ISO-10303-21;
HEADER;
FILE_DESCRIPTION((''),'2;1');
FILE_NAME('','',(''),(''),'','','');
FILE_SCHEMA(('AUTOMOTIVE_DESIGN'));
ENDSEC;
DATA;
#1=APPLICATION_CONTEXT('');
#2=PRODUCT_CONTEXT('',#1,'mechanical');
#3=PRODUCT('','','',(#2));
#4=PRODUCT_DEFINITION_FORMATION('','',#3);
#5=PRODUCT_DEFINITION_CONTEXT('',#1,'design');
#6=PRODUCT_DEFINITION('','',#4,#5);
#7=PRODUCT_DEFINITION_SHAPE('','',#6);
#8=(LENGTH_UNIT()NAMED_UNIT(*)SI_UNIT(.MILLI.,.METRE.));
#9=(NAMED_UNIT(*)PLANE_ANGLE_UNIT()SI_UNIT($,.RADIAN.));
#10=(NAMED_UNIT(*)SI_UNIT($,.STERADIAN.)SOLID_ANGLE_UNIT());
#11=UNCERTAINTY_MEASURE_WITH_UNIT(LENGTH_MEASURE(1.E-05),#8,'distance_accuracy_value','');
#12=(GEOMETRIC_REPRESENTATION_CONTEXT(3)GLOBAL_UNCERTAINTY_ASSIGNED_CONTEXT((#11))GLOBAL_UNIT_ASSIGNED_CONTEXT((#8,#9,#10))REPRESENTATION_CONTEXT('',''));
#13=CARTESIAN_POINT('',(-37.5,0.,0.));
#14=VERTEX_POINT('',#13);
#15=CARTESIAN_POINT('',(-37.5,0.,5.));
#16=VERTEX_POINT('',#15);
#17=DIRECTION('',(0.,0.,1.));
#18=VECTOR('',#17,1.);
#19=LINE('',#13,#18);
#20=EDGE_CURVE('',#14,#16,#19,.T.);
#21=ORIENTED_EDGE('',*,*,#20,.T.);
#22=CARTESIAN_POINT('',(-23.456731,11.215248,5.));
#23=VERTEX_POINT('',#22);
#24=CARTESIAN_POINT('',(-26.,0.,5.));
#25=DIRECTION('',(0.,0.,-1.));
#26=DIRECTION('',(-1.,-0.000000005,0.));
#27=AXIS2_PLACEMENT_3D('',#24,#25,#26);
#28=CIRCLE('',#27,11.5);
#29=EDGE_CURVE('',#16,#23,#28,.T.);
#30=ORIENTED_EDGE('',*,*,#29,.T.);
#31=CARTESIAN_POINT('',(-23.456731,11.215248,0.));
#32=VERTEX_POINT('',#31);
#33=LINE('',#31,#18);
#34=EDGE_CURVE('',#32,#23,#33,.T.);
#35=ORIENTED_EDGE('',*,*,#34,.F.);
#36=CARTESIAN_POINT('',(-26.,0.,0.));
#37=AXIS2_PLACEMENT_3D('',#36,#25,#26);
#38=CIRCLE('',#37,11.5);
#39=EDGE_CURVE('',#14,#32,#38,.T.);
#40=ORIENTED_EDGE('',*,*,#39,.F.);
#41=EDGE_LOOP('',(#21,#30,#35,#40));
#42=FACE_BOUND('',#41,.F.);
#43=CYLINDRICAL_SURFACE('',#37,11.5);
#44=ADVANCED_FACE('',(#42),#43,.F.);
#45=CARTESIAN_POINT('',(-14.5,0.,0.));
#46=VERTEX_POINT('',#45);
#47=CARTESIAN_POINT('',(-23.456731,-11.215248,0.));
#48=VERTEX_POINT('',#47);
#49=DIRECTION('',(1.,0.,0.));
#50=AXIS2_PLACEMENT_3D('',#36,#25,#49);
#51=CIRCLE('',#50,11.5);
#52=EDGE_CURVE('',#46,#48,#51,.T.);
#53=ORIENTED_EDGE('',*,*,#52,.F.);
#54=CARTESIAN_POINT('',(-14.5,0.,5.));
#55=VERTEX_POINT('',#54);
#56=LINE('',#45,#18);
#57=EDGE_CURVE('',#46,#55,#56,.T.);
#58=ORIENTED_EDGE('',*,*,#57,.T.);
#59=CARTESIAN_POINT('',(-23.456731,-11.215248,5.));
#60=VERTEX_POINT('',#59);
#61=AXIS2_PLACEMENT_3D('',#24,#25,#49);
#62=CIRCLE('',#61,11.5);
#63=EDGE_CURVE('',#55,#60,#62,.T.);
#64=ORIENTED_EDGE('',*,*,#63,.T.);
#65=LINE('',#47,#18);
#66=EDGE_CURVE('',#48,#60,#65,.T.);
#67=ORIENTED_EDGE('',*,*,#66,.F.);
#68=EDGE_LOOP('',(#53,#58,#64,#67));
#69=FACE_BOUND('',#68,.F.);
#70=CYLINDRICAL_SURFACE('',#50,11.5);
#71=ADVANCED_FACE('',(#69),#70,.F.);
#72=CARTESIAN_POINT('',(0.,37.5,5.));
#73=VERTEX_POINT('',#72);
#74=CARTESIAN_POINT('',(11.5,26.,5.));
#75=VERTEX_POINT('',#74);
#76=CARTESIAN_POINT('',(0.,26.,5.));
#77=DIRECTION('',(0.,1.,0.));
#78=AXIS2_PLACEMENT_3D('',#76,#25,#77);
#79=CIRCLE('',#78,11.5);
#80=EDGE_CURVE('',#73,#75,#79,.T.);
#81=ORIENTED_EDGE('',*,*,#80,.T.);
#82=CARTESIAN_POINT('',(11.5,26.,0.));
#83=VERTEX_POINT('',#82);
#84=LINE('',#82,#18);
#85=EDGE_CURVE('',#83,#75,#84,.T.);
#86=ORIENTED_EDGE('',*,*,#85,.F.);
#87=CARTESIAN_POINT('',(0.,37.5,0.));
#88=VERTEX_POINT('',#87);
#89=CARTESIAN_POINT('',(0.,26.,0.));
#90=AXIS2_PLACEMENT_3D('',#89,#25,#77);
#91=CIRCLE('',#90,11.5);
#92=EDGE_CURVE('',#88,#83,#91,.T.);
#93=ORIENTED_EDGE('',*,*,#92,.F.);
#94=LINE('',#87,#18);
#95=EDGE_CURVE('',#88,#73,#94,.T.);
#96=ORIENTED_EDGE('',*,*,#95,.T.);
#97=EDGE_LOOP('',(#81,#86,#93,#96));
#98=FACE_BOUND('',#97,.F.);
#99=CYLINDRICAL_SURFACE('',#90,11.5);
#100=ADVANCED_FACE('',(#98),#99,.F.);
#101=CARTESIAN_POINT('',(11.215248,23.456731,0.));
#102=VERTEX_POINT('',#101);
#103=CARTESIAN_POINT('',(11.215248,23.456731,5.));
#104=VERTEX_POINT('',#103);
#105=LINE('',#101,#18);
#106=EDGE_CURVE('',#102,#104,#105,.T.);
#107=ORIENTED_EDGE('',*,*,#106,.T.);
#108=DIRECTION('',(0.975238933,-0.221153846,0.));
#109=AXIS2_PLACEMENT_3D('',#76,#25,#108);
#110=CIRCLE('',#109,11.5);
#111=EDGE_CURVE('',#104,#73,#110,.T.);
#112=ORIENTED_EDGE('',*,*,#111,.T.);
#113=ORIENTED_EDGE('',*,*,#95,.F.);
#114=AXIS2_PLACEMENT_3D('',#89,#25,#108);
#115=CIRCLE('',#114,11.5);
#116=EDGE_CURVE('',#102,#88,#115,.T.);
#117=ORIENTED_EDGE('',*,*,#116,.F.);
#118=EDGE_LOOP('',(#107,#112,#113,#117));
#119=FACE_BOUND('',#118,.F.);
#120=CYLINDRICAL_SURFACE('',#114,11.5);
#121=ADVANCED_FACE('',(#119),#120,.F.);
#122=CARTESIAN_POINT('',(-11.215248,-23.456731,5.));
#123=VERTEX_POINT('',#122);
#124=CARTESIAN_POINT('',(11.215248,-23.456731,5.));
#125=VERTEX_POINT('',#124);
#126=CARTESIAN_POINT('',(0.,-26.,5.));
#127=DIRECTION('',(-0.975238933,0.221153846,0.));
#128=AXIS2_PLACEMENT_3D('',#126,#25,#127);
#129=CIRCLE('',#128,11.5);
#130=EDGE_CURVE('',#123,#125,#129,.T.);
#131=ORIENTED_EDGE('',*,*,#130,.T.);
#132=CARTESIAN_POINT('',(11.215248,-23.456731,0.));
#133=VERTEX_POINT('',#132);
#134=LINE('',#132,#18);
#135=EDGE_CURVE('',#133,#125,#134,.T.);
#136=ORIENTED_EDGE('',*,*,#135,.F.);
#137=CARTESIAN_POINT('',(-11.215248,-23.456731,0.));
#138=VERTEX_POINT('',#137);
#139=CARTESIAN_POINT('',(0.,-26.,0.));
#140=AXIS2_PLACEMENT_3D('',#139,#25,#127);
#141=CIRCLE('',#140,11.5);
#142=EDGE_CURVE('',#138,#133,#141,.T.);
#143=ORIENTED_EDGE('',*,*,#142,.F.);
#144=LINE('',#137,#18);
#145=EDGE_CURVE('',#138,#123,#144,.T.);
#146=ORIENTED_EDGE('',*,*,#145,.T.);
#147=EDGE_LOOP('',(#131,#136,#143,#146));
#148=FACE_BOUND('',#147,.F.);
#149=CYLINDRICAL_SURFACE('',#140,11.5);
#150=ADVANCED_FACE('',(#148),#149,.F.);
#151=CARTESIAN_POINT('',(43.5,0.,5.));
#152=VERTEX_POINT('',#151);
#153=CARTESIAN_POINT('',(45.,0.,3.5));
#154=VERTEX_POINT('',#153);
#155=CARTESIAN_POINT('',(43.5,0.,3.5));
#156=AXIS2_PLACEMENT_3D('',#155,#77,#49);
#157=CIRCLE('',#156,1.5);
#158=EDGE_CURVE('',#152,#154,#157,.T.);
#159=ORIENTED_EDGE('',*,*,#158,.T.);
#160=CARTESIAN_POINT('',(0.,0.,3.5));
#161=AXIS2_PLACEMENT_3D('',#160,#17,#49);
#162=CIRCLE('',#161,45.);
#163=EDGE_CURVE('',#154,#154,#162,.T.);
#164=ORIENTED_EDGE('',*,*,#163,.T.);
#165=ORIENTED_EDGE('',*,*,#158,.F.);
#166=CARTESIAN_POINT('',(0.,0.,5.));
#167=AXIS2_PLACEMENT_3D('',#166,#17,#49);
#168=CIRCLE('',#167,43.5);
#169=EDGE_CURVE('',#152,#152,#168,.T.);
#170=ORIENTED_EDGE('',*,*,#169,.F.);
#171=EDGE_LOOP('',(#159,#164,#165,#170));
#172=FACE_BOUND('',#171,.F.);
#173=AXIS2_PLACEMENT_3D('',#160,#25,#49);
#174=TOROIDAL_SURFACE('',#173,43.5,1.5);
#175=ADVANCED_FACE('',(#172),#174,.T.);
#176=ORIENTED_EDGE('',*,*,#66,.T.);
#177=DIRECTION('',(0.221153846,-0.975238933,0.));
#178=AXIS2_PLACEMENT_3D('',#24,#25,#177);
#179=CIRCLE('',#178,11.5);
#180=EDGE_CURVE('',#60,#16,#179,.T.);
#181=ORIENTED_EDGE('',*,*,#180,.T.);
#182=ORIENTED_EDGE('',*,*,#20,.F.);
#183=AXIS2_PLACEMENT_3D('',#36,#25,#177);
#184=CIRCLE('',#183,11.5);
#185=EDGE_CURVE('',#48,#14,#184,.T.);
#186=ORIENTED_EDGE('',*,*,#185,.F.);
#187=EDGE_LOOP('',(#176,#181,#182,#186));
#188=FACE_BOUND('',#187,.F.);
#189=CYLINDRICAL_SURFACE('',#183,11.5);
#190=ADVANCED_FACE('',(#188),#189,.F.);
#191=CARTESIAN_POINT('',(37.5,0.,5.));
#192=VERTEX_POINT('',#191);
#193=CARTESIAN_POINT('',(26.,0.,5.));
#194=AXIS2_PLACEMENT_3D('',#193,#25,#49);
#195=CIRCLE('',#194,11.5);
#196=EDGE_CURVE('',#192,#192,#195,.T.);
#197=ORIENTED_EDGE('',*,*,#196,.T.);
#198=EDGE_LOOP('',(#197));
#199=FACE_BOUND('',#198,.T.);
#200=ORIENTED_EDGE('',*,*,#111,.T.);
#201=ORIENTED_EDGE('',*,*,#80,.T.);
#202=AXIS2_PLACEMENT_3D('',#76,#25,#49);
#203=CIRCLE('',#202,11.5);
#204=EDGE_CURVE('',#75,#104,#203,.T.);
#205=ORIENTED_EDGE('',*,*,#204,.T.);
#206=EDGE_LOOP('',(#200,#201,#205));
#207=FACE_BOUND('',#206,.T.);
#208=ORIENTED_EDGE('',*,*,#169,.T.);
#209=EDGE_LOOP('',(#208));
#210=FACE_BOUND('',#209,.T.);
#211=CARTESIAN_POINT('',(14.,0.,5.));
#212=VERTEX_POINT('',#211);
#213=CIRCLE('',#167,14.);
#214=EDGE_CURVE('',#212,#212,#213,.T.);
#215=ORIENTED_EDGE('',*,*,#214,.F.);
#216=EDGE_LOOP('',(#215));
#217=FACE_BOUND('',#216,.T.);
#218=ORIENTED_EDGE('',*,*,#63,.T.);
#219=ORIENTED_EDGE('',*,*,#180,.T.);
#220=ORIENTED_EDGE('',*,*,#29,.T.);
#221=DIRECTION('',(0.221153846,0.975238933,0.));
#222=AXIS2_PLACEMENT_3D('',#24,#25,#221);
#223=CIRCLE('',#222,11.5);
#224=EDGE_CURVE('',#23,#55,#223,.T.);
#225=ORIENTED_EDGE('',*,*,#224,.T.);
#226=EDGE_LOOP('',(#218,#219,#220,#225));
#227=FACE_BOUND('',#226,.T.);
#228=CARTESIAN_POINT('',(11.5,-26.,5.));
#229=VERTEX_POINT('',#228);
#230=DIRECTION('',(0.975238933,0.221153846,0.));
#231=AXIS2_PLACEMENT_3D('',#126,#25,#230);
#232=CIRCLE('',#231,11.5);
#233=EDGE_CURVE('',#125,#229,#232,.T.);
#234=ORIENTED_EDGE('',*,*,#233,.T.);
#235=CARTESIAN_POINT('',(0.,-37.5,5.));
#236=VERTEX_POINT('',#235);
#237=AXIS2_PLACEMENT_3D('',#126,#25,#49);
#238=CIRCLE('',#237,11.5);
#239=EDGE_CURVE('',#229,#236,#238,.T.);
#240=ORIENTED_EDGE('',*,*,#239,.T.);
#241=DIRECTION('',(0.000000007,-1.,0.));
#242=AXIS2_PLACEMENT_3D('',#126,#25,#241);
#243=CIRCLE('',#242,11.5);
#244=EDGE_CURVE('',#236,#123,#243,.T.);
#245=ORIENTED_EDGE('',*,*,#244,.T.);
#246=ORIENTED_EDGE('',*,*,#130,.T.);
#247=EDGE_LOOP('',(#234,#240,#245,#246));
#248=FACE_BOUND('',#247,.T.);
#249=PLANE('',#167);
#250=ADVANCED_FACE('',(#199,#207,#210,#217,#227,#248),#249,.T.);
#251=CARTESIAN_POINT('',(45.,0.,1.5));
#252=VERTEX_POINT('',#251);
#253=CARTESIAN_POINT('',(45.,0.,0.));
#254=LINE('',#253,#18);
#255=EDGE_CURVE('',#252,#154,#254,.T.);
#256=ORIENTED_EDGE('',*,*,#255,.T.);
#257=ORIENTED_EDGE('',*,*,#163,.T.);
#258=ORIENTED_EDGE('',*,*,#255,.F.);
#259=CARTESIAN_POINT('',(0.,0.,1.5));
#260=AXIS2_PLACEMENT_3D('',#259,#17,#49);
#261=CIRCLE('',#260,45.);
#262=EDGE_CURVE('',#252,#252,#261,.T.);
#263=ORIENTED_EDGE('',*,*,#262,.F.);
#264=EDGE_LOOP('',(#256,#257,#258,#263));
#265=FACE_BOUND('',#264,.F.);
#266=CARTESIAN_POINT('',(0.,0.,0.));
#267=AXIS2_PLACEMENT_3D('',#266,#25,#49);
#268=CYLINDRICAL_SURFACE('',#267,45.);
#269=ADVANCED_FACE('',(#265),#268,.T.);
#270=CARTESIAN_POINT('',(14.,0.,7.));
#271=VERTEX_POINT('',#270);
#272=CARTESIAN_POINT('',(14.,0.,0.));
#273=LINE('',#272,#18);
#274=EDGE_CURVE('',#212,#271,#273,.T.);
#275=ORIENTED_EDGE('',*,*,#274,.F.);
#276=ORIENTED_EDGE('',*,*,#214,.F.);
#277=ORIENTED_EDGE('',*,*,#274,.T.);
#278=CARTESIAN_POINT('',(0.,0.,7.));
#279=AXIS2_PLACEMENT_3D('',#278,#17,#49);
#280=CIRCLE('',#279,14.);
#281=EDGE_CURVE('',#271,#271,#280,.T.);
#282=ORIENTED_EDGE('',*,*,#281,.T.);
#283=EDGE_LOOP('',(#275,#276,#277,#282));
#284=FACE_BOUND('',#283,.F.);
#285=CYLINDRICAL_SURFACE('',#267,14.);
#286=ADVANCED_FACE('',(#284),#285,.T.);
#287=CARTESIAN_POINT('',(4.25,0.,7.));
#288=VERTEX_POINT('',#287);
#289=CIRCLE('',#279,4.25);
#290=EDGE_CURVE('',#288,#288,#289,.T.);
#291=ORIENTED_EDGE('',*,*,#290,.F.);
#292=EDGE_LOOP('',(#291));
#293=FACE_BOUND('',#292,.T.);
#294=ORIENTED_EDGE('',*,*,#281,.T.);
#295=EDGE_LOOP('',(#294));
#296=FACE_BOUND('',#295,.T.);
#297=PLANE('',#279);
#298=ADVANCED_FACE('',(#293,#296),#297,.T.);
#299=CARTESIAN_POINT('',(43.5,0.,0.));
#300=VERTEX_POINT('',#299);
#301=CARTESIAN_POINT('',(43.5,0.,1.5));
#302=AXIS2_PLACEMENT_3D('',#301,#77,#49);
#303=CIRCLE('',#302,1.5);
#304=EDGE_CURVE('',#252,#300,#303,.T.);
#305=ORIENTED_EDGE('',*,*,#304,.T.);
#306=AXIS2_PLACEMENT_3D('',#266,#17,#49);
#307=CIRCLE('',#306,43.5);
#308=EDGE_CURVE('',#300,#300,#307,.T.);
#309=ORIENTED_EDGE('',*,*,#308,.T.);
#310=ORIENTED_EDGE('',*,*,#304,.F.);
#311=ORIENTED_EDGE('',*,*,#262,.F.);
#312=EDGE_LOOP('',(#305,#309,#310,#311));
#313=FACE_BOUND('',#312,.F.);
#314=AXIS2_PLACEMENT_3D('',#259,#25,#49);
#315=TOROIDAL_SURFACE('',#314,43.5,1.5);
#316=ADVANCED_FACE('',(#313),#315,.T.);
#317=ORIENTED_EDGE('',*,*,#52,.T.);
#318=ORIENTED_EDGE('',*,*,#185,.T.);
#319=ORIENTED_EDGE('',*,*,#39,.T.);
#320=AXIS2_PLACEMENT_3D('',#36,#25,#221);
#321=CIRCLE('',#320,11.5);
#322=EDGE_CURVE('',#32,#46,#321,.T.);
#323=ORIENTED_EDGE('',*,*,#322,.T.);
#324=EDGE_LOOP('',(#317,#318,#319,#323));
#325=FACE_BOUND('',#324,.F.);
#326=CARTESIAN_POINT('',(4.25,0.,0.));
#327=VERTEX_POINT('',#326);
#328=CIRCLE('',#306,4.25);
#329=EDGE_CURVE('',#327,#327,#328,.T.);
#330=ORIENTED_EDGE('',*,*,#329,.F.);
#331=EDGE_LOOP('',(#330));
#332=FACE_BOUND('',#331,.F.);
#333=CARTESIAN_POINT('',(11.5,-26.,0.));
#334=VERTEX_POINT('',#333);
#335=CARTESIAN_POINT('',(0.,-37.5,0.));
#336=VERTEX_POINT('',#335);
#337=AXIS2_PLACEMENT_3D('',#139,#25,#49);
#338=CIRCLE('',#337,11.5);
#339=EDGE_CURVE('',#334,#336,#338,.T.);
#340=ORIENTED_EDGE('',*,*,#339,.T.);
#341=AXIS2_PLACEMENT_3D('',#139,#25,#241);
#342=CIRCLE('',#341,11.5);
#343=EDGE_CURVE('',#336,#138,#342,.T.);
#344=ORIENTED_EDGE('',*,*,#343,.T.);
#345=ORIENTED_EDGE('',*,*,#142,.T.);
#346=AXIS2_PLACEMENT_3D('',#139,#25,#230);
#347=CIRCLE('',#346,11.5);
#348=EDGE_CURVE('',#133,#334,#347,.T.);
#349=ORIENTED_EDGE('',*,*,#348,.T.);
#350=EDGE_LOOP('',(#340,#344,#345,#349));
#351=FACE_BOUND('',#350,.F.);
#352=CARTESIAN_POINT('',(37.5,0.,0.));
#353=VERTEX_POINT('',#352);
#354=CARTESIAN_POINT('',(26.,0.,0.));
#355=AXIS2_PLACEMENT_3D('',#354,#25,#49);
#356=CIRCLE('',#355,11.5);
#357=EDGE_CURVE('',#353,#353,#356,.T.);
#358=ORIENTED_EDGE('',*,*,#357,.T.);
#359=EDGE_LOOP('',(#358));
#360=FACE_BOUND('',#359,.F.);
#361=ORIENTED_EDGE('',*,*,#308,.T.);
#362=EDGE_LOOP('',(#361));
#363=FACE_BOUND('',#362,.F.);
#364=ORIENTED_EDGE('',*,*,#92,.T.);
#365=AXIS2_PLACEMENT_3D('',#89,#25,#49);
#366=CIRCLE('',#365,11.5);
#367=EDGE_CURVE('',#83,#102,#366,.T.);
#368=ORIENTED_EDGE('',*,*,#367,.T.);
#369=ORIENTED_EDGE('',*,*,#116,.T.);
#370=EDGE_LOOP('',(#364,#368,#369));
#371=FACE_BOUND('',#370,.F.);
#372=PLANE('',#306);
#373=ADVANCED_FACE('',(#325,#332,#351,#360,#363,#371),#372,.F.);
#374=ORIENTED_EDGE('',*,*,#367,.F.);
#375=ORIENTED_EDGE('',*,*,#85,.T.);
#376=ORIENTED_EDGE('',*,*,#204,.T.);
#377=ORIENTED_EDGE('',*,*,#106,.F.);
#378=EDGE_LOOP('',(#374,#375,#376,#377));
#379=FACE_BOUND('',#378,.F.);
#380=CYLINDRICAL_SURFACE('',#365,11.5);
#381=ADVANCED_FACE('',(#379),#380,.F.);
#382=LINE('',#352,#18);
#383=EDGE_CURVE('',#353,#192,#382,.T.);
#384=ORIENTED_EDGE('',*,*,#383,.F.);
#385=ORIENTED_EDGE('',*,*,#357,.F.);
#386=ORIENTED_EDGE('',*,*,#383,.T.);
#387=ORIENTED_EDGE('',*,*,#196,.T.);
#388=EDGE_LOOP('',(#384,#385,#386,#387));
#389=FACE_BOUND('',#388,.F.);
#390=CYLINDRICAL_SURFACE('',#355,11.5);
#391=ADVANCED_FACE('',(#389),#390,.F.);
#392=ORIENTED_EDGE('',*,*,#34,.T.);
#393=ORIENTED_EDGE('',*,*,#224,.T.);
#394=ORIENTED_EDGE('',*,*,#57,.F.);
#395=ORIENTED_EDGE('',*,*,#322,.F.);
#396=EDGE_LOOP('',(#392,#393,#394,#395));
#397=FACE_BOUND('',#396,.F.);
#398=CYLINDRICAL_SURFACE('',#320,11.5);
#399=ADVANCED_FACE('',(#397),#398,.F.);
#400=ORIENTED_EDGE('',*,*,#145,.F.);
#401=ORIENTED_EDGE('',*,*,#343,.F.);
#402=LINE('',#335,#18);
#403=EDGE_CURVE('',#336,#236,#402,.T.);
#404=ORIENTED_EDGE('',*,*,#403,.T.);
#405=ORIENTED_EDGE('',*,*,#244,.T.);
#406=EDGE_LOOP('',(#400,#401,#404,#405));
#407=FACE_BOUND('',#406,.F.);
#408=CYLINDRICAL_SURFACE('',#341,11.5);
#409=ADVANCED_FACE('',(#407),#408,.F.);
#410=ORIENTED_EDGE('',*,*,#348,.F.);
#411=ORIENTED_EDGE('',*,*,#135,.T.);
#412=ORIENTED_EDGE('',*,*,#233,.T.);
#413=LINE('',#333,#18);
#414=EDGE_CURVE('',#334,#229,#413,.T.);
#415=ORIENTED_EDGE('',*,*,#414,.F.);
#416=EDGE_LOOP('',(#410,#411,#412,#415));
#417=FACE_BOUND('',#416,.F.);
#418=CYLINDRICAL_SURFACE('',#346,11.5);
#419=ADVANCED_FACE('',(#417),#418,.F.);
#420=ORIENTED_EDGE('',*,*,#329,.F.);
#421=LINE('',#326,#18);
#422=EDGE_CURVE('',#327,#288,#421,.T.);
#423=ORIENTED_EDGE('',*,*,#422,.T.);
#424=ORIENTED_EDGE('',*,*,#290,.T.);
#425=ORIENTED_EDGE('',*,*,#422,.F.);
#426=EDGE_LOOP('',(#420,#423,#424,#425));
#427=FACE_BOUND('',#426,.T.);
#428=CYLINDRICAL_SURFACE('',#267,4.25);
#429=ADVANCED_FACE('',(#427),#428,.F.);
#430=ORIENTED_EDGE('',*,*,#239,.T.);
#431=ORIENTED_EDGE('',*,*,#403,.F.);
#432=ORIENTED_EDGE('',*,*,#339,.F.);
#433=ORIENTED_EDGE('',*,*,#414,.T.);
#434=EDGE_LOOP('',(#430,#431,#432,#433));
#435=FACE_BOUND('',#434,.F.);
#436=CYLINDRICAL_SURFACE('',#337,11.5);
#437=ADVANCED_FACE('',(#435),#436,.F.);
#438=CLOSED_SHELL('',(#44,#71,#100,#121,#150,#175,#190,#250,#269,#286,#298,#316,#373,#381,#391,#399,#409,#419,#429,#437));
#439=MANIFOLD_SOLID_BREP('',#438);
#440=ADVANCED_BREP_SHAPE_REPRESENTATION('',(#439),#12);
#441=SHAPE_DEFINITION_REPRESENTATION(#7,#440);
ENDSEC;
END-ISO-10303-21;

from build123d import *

# Parameters (mm, degrees)
F0_R     = 45
F0_R_2   = 14
F1_DEPTH = 5
F0_R_3   = 4.25
F2_DEPTH = 7
F3_R     = 1.5


with BuildPart() as f1:
    # F0 (on Top) → F1 (new body)
    with BuildSketch(Plane.XY):
        Circle(F0_R)
        with BuildLine():
            ThreePointArc((0, 37.5), (26.5165042945, 26.5165042945), (37.5, 0))
            ThreePointArc((37.5, 0), (26.5165043235, -26.5165042654), (8.22e-08, -37.5))
            ThreePointArc((8.22e-08, -37.5), (-26.516504245, -26.516504344), (-37.5, -5.77e-08))
            ThreePointArc((-37.5, -5.77e-08), (-26.5165043149, 26.5165042741), (0, 37.5))
        make_face(mode=Mode.SUBTRACT)
        with BuildLine():
            ThreePointArc((23.4567307692, -11.2152477289), (14.5, 0), (23.4567307692, 11.2152477289))
            ThreePointArc((23.4567307692, 11.2152477289), (18.3847763109, 18.3847763108), (11.2152477289, 23.4567307692))
            ThreePointArc((11.2152477289, 23.4567307692), (0, 14.5), (-11.2152477289, 23.4567307692))
            ThreePointArc((-11.2152477289, 23.4567307692), (-18.3847763109, 18.3847763108), (-23.4567307692, 11.2152477289))
            ThreePointArc((-23.4567307692, 11.2152477289), (-17.0139664992, 7.1764337887), (-14.5, 0))
            ThreePointArc((-14.5, 0), (-17.0139664992, -7.1764337887), (-23.4567307692, -11.2152477289))
            ThreePointArc((-23.4567307692, -11.2152477289), (-18.3847763109, -18.3847763108), (-11.2152477289, -23.4567307692))
            ThreePointArc((-11.2152477289, -23.4567307692), (0, -14.5), (11.2152477289, -23.4567307692))
            ThreePointArc((11.2152477289, -23.4567307692), (18.3847763109, -18.3847763108), (23.4567307692, -11.2152477289))
        make_face()
        Circle(F0_R_2, mode=Mode.SUBTRACT)
        with BuildLine():
            ThreePointArc((-11.2152477289, 23.4567307692), (-8.9860335008, 33.1764337887), (0, 37.5))
            ThreePointArc((0, 37.5), (-26.5165043149, 26.5165042741), (-37.5, -5.77e-08))
            ThreePointArc((-37.5, -5.77e-08), (-33.1764338112, 8.9860334828), (-23.4567307692, 11.2152477289))
            ThreePointArc((-23.4567307692, 11.2152477289), (-18.3847763109, 18.3847763108), (-11.2152477289, 23.4567307692))
        make_face()
        with BuildLine():
            ThreePointArc((23.4567307692, 11.2152477289), (33.1764337887, 8.9860335008), (37.5, 0))
            ThreePointArc((37.5, 0), (26.5165042945, 26.5165042945), (0, 37.5))
            ThreePointArc((0, 37.5), (8.1317279836, 34.1317279836), (11.5, 26))
            ThreePointArc((11.5, 26), (11.4285902211, 24.7204197723), (11.2152477289, 23.4567307692))
            ThreePointArc((11.2152477289, 23.4567307692), (18.3847763109, 18.3847763108), (23.4567307692, 11.2152477289))
        make_face()
        with BuildLine():
            ThreePointArc((-37.5, -5.77e-08), (-26.516504245, -26.516504344), (8.22e-08, -37.5))
            ThreePointArc((8.22e-08, -37.5), (-8.9860334751, -33.1764338208), (-11.2152477289, -23.4567307692))
            ThreePointArc((-11.2152477289, -23.4567307692), (-18.3847763109, -18.3847763108), (-23.4567307692, -11.2152477289))
            ThreePointArc((-23.4567307692, -11.2152477289), (-33.1764337661, -8.9860335188), (-37.5, -5.77e-08))
        make_face()
        with BuildLine():
            ThreePointArc((8.22e-08, -37.5), (26.5165043235, -26.5165042654), (37.5, 0))
            ThreePointArc((37.5, 0), (33.1764337887, -8.9860335008), (23.4567307692, -11.2152477289))
            ThreePointArc((23.4567307692, -11.2152477289), (18.3847763109, -18.3847763108), (11.2152477289, -23.4567307692))
            ThreePointArc((11.2152477289, -23.4567307692), (11.4285902211, -24.7204197723), (11.5, -26))
            ThreePointArc((11.5, -26), (8.1317280127, -34.1317279546), (8.22e-08, -37.5))
        make_face()
    extrude(amount=F1_DEPTH)

    # F0 (on Top) → F2 (join)
    with BuildSketch(Plane.XY):
        Circle(F0_R_2)
        Circle(F0_R_3, mode=Mode.SUBTRACT)
    extrude(amount=F2_DEPTH)

    # F3
    f3_edges = [f1.edges().sort_by_distance(p)[0] for p in [
        (-45, 0, 5),
        (-45, 0, 0),
    ]]
    fillet(f3_edges, radius=F3_R)


solid = f1.part
